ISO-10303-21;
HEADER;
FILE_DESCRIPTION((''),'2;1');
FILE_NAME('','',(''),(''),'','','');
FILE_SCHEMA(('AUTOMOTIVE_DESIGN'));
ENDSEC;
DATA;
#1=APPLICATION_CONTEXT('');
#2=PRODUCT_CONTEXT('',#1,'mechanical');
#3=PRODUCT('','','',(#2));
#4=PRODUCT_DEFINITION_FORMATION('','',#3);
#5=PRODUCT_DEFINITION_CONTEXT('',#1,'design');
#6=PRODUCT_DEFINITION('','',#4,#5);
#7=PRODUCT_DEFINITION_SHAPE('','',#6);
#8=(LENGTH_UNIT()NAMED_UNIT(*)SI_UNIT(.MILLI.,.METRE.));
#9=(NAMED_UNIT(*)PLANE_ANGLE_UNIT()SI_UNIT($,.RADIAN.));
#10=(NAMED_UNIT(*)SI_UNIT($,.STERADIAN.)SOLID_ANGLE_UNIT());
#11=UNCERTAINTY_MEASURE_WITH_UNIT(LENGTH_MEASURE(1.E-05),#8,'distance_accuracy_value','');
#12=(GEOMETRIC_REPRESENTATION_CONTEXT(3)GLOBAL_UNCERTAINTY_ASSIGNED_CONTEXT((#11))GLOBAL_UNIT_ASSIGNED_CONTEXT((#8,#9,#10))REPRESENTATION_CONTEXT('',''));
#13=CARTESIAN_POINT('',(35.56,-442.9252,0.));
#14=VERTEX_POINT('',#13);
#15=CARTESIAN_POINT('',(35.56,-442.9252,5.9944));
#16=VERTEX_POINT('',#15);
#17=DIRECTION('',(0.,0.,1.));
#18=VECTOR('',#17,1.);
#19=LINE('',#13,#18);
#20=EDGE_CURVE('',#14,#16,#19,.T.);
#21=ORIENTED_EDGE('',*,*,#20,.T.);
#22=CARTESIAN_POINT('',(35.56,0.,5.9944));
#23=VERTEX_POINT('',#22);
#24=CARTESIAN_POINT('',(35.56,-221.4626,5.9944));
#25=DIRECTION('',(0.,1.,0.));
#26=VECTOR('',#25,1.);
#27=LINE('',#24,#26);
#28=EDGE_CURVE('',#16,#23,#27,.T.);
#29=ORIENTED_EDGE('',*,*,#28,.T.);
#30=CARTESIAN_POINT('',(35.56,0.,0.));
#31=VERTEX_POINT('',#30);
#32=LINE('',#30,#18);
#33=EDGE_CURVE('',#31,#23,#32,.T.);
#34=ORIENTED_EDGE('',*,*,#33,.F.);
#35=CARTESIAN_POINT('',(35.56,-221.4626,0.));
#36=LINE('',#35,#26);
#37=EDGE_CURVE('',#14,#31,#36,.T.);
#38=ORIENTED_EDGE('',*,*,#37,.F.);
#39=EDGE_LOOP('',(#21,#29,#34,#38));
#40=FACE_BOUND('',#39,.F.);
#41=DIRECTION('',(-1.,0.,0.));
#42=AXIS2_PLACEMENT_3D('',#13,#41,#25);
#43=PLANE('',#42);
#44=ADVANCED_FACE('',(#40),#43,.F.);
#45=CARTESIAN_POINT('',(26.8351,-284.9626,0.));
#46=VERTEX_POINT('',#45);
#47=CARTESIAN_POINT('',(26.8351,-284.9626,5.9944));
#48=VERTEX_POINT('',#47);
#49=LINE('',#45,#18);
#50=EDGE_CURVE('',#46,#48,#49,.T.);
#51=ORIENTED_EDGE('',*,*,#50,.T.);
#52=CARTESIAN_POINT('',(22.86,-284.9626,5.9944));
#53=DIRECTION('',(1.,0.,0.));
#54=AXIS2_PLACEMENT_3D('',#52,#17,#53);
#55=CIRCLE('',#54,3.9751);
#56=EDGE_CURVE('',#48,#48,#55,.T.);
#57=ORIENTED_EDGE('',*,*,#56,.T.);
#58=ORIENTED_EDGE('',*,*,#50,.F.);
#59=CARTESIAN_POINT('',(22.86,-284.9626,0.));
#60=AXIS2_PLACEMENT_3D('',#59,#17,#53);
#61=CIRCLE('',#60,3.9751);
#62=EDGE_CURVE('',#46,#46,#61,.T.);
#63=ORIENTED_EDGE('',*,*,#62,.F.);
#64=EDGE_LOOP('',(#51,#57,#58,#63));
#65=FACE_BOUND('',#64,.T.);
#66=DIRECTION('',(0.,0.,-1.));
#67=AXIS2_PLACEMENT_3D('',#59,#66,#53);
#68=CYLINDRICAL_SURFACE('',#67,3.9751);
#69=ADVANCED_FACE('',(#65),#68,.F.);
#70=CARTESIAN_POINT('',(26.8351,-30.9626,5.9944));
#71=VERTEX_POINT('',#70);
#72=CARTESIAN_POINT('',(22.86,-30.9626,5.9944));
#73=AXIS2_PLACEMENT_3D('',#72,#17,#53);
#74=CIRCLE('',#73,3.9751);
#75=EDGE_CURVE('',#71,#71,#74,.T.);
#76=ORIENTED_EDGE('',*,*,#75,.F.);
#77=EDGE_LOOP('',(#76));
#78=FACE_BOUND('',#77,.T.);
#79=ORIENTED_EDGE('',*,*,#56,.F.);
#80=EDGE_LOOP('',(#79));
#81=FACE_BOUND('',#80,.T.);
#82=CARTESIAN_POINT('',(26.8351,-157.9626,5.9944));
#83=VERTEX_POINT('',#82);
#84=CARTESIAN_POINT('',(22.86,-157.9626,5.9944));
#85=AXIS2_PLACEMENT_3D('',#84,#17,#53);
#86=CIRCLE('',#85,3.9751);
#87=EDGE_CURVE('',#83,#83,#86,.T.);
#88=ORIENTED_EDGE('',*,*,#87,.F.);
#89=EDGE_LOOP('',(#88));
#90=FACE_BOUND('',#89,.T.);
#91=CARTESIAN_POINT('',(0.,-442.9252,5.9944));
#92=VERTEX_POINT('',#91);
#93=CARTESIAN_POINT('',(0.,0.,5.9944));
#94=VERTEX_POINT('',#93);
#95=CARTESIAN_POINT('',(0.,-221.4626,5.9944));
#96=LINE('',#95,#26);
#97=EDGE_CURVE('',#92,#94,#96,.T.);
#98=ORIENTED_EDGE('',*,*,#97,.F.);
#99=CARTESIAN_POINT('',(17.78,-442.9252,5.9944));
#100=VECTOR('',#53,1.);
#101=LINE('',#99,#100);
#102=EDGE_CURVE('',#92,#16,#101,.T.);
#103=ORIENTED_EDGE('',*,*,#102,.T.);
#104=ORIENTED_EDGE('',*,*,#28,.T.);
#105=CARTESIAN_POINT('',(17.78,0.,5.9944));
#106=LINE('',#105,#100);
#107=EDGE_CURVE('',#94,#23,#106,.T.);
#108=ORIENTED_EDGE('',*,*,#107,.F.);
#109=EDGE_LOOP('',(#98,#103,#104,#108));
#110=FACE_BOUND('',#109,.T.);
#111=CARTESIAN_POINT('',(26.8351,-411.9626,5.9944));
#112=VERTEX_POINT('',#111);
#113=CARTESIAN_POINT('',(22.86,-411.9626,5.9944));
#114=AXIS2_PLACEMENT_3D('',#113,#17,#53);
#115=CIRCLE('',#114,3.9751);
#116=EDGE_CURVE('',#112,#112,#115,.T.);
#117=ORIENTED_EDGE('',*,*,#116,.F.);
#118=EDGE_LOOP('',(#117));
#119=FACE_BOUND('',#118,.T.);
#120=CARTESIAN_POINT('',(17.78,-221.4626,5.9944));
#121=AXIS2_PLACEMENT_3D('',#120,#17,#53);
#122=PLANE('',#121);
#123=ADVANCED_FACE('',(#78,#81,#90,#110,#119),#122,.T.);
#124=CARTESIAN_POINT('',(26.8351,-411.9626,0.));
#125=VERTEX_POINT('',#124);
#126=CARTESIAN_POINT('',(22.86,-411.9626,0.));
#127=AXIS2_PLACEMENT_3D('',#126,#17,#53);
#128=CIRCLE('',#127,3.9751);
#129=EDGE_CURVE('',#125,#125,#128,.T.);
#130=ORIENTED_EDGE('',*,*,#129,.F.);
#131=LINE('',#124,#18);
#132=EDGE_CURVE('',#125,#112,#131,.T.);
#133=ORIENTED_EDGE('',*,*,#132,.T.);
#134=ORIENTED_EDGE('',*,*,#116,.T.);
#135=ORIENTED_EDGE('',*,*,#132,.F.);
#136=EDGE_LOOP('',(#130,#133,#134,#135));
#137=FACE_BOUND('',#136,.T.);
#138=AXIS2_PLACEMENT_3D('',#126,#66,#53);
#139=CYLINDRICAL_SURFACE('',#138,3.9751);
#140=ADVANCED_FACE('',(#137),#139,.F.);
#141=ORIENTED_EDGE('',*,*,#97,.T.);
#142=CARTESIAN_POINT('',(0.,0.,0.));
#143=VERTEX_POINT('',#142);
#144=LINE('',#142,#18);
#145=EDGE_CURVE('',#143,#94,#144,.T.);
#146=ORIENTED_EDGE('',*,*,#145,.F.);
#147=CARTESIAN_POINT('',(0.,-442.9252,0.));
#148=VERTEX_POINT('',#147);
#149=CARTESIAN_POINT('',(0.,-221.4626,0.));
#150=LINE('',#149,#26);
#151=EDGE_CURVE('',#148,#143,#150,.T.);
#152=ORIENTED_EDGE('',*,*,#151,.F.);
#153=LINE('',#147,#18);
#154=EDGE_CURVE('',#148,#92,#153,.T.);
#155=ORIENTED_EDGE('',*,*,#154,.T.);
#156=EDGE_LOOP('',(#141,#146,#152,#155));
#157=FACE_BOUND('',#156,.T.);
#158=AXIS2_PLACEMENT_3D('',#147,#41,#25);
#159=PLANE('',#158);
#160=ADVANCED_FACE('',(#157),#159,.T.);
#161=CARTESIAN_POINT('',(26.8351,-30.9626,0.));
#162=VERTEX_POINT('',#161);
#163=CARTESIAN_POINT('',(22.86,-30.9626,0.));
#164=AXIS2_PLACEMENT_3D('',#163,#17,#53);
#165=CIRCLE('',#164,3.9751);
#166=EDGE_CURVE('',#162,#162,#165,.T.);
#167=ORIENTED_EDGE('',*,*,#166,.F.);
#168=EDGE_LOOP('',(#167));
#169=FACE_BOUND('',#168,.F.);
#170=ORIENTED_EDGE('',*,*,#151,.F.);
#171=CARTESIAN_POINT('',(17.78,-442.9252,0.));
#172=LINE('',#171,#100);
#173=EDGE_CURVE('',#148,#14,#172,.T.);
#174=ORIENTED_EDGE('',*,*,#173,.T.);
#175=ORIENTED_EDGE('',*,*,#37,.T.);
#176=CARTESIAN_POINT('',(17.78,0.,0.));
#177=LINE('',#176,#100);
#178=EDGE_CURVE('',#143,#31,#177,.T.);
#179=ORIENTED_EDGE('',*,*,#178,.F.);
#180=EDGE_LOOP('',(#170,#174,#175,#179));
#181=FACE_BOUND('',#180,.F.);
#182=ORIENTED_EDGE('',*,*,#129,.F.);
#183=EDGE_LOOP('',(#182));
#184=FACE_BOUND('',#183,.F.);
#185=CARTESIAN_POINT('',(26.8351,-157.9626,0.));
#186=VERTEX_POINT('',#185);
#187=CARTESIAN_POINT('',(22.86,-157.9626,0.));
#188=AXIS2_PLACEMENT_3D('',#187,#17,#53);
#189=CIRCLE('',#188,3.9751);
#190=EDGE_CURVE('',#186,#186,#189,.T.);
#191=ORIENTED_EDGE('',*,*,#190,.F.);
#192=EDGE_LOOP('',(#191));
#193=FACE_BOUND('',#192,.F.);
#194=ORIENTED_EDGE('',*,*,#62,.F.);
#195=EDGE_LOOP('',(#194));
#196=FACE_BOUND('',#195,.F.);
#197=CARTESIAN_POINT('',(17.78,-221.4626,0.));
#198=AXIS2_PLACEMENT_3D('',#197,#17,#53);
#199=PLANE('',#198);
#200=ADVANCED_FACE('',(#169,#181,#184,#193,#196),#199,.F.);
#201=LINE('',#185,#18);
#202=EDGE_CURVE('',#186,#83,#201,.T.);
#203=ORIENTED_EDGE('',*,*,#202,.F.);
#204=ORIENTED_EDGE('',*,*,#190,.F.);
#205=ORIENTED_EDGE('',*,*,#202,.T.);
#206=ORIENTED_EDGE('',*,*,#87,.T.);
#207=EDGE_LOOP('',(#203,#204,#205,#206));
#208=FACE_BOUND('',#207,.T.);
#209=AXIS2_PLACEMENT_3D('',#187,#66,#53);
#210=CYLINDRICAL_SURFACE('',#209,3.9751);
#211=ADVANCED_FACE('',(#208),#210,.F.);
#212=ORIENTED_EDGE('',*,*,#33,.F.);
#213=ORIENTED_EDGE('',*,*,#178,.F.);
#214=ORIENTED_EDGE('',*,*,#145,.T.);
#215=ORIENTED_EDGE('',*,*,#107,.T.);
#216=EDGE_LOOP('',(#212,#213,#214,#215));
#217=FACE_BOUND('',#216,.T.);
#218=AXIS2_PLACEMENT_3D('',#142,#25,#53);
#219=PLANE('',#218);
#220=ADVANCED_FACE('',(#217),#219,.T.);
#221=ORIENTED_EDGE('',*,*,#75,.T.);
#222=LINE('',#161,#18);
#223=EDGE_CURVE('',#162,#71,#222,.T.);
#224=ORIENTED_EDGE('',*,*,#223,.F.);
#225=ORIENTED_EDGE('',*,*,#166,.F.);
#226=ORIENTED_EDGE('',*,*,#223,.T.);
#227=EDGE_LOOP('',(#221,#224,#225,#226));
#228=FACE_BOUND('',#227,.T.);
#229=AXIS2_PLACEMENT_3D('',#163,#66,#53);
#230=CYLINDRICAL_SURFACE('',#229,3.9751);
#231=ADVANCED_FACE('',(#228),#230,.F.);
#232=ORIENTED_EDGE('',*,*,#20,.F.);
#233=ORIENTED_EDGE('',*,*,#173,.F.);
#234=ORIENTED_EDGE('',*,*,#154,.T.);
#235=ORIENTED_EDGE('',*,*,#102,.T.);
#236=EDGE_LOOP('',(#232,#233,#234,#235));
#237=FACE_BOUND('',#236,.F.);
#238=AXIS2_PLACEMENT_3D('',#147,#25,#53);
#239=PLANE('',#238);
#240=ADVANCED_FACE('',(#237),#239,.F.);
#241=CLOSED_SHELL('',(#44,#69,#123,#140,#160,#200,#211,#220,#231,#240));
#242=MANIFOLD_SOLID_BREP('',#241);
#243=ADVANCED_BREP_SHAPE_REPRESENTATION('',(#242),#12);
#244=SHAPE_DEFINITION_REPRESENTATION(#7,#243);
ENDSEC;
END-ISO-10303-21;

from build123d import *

# Parameters (mm, degrees)
SKETCH_W      = 35.56
SKETCH_H      = 442.9252
SKETCH_R      = 3.9751
EXTRUDE_DEPTH = 5.9944


with BuildPart() as part:
    # Sketch → Extrude (new body)
    with BuildSketch(Plane.XY):
        with Locations((17.78, -221.4626)):
            Rectangle(SKETCH_W, SKETCH_H)
        with Locations((22.86, -30.9626)):
            Circle(SKETCH_R, mode=Mode.SUBTRACT)
        with Locations((22.86, -157.9626)):
            Circle(SKETCH_R, mode=Mode.SUBTRACT)
        with Locations((22.86, -284.9626)):
            Circle(SKETCH_R, mode=Mode.SUBTRACT)
        with Locations((22.86, -411.9626)):
            Circle(SKETCH_R, mode=Mode.SUBTRACT)
    extrude(amount=EXTRUDE_DEPTH)


solid = part.part
